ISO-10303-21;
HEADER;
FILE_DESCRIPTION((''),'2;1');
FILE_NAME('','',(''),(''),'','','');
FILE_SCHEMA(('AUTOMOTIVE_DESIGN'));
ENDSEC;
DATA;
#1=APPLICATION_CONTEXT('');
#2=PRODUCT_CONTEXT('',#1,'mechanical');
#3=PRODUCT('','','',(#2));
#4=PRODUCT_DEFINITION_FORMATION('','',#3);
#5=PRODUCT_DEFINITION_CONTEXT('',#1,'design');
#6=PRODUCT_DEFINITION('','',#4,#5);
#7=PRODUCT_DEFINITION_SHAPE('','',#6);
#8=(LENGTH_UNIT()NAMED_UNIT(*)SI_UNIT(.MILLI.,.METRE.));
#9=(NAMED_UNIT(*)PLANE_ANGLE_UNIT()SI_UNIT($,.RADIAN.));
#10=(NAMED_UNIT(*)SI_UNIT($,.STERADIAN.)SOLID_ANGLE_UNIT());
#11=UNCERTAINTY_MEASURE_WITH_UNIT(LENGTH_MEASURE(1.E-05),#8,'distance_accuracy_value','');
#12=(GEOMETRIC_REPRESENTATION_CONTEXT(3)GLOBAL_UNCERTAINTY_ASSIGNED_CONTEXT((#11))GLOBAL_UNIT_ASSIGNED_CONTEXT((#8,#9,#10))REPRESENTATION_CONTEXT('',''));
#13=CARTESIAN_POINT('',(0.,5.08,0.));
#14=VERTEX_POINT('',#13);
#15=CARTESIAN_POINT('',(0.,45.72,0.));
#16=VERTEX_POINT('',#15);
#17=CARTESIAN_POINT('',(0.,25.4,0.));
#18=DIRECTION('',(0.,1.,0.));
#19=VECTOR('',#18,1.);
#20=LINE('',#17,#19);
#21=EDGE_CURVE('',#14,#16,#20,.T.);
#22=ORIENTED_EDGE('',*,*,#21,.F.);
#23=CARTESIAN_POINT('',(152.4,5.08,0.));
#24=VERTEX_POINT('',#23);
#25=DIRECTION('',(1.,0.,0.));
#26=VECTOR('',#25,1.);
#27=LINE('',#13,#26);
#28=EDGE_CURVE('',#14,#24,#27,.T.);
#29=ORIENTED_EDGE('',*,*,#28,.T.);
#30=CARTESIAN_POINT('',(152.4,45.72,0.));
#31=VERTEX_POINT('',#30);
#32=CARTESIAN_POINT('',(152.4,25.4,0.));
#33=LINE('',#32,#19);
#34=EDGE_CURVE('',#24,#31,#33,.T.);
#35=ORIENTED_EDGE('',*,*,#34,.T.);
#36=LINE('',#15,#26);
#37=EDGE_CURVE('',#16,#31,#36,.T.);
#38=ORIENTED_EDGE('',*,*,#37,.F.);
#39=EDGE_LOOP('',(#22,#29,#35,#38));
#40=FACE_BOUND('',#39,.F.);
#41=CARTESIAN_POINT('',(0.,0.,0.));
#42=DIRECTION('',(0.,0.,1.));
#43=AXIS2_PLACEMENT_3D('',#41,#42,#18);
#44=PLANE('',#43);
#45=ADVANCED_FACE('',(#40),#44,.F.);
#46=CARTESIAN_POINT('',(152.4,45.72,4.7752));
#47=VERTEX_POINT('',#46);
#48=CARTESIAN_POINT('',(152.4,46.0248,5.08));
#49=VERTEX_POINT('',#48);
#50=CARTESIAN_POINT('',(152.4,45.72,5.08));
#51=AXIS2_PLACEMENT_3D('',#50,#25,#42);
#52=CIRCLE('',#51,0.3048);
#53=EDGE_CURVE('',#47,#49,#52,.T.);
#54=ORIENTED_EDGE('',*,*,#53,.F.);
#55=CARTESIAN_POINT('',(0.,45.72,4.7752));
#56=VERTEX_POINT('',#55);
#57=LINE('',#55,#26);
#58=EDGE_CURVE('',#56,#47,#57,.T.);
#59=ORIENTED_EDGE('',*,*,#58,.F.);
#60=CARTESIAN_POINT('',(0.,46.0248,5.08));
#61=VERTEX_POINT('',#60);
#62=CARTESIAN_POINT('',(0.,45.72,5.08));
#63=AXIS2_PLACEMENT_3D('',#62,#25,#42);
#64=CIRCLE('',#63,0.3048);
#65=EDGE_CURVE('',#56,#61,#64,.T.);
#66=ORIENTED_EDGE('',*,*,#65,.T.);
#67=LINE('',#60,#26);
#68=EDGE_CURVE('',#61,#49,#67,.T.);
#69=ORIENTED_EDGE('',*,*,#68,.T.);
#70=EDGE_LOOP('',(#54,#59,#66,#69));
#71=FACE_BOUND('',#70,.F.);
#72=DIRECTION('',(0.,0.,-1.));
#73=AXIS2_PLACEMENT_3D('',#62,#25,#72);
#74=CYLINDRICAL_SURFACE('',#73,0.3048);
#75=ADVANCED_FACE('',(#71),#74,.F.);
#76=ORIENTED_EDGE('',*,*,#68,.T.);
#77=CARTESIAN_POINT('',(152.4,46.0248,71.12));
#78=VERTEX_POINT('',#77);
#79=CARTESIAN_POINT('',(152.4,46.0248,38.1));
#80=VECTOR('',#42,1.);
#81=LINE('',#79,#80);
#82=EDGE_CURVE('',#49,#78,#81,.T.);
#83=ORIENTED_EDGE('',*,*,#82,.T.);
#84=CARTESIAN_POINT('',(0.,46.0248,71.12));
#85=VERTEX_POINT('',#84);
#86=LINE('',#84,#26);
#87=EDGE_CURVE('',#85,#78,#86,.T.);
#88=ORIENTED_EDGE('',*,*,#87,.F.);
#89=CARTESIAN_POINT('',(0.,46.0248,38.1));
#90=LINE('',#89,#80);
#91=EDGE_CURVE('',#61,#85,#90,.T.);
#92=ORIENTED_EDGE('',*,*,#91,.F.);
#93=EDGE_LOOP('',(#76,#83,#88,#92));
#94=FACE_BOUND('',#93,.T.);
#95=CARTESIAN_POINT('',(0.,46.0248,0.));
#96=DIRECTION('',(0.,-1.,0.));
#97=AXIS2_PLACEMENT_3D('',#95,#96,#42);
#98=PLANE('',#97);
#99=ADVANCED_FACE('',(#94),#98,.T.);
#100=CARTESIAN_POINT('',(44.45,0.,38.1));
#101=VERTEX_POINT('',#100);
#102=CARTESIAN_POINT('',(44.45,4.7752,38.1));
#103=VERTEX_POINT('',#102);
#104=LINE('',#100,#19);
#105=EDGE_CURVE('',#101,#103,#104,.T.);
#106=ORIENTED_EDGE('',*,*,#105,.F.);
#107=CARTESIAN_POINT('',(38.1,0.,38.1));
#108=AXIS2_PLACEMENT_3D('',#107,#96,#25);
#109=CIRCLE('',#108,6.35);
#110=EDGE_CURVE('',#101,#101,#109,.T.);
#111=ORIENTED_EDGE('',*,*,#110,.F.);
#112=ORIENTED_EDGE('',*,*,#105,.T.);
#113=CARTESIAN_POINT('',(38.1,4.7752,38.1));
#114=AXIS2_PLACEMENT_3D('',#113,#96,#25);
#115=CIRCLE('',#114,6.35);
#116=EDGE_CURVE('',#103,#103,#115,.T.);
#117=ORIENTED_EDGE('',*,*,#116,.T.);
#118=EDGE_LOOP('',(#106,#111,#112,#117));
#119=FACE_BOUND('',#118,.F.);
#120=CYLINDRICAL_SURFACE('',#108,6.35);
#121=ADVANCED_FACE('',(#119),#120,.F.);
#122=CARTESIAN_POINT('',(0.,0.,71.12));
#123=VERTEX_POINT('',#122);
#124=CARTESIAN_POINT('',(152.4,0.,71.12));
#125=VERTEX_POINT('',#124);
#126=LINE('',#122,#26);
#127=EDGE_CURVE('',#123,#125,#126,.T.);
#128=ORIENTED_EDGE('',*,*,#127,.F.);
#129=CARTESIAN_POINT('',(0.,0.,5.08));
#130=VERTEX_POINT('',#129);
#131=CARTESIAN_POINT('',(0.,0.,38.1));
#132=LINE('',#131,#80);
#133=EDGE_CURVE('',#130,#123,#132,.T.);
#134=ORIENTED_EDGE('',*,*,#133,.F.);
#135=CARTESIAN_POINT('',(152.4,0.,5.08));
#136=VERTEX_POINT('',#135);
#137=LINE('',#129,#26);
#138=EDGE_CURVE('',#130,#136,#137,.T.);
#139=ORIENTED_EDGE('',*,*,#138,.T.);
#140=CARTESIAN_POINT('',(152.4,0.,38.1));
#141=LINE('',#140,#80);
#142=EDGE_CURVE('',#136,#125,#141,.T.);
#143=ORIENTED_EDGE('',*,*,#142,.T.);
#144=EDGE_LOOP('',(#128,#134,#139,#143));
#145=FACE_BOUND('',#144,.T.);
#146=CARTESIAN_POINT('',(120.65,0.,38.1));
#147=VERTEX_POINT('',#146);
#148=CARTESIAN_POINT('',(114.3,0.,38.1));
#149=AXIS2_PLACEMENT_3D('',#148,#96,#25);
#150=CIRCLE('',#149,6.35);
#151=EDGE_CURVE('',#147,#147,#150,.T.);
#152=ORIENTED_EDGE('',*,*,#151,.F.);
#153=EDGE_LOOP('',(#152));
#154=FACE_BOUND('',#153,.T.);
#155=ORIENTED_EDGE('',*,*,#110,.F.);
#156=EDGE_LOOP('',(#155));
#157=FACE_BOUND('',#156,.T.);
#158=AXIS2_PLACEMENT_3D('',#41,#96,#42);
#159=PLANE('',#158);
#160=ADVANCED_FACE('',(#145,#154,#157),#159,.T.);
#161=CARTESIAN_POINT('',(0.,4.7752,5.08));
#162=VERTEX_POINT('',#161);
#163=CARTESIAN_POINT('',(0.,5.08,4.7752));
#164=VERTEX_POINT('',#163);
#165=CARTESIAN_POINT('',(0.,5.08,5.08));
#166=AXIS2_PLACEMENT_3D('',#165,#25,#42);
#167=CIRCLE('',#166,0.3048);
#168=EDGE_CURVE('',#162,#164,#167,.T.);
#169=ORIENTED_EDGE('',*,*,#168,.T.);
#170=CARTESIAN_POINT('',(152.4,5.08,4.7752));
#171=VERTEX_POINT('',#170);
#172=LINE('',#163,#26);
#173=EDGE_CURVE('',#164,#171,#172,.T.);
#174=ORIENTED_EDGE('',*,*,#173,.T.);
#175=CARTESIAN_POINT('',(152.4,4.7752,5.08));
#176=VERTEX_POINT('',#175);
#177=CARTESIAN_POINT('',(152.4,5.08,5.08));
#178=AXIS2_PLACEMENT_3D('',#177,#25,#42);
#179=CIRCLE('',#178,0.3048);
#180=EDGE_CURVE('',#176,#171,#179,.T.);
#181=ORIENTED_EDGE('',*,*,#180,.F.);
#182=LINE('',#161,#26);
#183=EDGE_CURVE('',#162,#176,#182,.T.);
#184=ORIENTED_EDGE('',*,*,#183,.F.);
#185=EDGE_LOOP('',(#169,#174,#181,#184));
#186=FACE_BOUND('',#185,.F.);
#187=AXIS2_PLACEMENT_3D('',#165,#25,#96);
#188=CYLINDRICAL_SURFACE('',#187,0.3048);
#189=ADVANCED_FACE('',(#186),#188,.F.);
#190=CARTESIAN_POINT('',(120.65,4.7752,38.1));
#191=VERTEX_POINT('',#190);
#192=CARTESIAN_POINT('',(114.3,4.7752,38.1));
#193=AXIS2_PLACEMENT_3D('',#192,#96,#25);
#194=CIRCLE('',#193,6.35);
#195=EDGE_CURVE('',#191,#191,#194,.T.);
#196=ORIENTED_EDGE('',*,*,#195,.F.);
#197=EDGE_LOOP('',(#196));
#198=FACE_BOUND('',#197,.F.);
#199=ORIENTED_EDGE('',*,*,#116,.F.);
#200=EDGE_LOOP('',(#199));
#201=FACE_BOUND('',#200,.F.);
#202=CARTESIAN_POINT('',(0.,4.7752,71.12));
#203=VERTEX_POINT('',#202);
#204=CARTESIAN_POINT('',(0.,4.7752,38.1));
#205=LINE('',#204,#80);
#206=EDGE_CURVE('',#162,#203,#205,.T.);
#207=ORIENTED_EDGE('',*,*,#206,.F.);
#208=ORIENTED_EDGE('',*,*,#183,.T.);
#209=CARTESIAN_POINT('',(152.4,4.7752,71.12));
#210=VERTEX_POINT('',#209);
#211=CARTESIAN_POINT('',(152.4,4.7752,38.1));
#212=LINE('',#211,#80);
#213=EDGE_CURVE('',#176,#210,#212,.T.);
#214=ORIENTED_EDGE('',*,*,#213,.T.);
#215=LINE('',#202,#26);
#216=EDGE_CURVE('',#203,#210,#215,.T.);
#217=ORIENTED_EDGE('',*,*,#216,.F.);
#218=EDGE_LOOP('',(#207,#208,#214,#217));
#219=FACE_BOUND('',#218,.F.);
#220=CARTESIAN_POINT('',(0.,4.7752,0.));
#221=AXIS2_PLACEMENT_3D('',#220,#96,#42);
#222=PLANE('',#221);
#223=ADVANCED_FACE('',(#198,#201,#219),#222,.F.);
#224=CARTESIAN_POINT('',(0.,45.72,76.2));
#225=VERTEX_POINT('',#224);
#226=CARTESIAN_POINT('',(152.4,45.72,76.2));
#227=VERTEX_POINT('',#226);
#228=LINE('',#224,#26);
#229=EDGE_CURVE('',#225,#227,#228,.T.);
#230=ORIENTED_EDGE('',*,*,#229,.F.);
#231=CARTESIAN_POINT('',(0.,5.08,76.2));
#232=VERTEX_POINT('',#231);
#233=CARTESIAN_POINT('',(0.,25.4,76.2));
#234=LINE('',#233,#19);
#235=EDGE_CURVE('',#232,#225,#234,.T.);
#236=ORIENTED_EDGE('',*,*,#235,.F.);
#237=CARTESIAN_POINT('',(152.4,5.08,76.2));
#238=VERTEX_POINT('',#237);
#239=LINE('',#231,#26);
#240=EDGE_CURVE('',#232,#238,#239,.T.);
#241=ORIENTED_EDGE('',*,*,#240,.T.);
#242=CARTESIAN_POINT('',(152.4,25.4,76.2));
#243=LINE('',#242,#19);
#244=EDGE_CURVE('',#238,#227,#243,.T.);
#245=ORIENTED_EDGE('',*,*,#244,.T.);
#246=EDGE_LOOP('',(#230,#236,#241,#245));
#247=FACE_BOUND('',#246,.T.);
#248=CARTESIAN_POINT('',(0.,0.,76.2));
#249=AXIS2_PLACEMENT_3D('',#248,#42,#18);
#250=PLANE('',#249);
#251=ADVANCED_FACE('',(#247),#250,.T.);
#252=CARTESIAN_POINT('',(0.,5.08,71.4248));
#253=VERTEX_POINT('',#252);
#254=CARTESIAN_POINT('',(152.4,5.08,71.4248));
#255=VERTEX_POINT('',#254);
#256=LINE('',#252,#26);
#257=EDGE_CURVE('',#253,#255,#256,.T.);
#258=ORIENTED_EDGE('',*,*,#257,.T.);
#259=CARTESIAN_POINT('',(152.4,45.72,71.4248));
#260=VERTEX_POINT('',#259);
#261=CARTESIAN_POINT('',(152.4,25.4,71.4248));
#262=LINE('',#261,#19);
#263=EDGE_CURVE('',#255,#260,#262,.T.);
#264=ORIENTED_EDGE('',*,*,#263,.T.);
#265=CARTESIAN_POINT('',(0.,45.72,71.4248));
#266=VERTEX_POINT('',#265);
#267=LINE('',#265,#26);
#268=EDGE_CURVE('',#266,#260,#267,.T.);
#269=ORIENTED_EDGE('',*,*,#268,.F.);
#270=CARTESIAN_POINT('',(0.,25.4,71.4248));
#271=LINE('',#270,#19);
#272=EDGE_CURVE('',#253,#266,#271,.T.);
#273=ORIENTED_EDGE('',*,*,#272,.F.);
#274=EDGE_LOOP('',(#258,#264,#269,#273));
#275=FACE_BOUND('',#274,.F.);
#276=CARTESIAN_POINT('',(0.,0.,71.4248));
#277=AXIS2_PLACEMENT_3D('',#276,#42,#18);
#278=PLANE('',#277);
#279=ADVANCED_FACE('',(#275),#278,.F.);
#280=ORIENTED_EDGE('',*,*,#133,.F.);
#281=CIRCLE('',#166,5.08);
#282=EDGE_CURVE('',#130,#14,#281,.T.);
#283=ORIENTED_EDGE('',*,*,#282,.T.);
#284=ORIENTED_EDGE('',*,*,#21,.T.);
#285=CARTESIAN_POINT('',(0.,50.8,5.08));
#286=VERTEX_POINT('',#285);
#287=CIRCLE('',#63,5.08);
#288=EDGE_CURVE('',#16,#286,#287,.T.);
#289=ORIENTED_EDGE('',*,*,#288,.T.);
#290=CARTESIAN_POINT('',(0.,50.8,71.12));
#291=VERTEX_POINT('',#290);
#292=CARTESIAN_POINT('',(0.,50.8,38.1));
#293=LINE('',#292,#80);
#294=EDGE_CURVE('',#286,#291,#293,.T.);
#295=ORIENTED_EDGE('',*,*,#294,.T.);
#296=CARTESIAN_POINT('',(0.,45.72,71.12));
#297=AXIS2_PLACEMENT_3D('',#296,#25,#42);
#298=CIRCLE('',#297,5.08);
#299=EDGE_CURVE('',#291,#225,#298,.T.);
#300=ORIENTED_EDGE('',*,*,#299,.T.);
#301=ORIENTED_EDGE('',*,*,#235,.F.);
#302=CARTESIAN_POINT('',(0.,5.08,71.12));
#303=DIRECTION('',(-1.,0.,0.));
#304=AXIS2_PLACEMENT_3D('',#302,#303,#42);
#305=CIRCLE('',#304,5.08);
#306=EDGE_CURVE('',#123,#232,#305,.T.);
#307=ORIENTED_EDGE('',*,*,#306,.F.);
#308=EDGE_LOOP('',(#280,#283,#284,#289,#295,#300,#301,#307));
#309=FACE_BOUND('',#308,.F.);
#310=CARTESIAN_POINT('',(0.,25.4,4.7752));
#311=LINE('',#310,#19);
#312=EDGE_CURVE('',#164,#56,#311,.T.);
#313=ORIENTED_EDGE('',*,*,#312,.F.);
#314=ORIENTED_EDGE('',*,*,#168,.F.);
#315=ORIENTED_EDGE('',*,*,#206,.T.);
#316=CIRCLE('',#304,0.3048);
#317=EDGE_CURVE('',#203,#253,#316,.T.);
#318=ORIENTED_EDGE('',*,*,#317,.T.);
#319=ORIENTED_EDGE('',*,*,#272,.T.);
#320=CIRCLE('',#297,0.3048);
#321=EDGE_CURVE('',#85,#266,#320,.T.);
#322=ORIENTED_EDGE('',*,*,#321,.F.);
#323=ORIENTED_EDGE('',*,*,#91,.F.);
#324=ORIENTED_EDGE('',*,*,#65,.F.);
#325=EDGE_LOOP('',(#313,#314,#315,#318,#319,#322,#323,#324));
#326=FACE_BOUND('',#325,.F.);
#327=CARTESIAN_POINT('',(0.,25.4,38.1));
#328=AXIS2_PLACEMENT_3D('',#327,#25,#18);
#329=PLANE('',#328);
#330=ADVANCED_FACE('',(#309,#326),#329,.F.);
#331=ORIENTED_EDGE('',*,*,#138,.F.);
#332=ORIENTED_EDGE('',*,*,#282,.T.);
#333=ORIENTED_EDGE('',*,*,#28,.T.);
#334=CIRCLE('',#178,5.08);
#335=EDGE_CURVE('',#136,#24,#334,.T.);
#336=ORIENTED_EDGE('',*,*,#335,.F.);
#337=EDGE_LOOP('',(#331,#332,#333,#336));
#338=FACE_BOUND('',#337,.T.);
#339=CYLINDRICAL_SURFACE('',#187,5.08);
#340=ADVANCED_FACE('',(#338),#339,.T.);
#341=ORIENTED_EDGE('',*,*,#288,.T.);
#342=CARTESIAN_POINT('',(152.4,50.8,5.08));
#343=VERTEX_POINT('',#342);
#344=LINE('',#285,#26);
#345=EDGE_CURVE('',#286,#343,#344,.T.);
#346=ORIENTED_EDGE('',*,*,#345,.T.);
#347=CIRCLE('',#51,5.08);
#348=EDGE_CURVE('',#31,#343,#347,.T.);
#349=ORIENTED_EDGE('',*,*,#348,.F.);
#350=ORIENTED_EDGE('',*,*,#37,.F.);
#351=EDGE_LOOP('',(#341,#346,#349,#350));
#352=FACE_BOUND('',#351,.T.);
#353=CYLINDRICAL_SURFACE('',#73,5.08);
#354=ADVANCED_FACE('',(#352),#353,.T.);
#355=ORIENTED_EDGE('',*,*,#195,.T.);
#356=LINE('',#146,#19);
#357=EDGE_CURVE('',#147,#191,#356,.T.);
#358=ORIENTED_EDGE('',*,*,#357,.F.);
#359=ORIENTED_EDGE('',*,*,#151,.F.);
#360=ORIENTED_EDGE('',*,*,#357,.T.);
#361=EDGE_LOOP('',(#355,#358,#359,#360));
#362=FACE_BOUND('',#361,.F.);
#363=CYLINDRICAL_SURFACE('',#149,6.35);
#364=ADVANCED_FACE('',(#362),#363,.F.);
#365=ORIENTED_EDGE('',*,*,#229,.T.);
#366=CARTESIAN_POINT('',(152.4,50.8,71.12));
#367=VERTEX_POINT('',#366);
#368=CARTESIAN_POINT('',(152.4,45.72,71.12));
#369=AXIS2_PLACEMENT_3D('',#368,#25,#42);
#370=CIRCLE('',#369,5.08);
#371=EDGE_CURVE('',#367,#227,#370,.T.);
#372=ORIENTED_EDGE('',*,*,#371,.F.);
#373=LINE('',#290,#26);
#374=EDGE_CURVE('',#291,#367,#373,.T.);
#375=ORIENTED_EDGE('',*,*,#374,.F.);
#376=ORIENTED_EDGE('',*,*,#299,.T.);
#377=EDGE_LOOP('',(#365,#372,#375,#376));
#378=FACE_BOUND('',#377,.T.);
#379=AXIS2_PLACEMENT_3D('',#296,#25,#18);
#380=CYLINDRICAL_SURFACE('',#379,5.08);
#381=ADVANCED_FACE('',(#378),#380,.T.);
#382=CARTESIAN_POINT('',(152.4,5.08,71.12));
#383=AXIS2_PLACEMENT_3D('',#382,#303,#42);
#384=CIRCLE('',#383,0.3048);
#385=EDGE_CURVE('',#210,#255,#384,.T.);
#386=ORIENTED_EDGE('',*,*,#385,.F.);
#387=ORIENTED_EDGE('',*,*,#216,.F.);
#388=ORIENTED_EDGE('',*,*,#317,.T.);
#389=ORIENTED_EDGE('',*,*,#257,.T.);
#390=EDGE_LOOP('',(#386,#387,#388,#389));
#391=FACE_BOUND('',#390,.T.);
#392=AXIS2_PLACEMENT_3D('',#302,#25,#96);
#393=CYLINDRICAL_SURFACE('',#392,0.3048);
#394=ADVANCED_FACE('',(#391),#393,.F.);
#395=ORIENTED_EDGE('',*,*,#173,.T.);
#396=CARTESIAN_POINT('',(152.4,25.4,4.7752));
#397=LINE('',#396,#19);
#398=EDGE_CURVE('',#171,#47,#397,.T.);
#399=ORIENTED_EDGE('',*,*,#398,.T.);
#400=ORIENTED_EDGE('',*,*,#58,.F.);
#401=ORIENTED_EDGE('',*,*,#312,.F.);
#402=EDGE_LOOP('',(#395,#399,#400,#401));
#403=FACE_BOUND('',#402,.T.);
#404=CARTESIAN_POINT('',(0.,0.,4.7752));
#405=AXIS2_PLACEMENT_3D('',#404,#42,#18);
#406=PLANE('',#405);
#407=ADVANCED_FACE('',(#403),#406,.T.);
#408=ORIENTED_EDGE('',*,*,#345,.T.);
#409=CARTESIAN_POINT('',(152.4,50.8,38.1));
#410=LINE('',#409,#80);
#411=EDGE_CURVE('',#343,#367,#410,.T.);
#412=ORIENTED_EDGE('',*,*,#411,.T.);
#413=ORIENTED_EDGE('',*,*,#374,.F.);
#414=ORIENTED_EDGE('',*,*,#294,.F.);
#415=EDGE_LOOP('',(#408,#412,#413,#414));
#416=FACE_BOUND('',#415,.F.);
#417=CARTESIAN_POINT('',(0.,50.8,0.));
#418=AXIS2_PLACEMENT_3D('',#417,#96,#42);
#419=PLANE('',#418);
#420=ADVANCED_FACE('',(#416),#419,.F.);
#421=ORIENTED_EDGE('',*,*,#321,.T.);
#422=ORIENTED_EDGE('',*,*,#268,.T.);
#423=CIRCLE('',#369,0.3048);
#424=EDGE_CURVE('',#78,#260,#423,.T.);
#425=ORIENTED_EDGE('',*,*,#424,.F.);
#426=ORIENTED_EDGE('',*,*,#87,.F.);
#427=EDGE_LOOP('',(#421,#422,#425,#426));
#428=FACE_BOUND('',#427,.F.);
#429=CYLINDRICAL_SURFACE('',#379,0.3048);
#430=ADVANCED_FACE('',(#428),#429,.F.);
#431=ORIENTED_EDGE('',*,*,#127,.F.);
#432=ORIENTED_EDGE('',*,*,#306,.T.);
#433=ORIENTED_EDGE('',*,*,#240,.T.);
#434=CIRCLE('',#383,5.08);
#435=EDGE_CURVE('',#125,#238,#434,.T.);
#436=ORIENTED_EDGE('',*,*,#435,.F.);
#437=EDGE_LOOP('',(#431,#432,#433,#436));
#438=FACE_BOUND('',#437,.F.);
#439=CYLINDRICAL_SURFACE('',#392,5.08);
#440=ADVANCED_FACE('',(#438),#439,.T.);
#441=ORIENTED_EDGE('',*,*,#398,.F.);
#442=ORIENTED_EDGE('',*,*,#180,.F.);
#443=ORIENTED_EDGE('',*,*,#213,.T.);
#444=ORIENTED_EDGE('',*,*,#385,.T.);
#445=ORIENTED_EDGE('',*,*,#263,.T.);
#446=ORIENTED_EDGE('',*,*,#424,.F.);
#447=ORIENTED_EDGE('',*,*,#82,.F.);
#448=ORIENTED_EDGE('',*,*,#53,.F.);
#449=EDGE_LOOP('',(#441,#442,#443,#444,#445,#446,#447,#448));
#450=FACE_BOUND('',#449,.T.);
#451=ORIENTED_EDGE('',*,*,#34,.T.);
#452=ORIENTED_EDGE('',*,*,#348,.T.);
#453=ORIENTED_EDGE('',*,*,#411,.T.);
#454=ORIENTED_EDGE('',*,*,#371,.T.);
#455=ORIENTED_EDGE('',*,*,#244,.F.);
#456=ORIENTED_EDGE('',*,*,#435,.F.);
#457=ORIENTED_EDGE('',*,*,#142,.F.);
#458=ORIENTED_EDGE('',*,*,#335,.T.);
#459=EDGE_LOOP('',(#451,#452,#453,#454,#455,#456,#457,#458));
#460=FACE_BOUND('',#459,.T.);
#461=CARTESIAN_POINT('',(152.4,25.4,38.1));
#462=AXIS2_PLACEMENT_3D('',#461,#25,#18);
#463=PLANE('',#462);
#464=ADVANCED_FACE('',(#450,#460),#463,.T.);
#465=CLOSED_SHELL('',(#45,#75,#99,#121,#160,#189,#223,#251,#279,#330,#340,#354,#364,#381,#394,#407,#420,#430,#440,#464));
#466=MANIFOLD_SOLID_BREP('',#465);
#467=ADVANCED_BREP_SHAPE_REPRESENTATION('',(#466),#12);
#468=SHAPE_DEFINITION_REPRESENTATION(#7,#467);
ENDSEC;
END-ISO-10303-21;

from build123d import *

# Parameters (mm, degrees)
F0_W     = 50.8
F0_H     = 76.2
F1_DEPTH = 152.4
F2_R     = 5.08
F3_T     = -4.7752
F4_R     = 6.35
F5_DEPTH = 4.7752


with BuildPart() as f1:
    # F0 (on Right) → F1 (new body)
    with BuildSketch(Plane.YZ):
        with Locations((25.4, 38.1)):
            Rectangle(F0_W, F0_H)
    extrude(amount=F1_DEPTH)

    # F2
    f2_edges = [f1.edges().sort_by_distance(p)[0] for p in [
        (76.2, 0, 76.2),
        (76.2, 50.8, 76.2),
        (76.2, 0, 0),
        (76.2, 50.8, 0),
    ]]
    fillet(f2_edges, radius=F2_R)

    # F3
    f3_openings = [f1.faces().sort_by_distance(p)[0] for p in [
        (152.4, 25.4, 38.1),
        (0, 25.4, 38.1),
    ]]
    offset(amount=F3_T, openings=f3_openings)

    # F4 (on face) → F5 (cut, through all)
    with BuildSketch(Plane.XZ):
        with Locations((38.1, 38.1)):
            Circle(F4_R)
        with Locations((114.3, 38.1)):
            Circle(F4_R)
    extrude(amount=-F5_DEPTH, mode=Mode.SUBTRACT)


solid = f1.part
